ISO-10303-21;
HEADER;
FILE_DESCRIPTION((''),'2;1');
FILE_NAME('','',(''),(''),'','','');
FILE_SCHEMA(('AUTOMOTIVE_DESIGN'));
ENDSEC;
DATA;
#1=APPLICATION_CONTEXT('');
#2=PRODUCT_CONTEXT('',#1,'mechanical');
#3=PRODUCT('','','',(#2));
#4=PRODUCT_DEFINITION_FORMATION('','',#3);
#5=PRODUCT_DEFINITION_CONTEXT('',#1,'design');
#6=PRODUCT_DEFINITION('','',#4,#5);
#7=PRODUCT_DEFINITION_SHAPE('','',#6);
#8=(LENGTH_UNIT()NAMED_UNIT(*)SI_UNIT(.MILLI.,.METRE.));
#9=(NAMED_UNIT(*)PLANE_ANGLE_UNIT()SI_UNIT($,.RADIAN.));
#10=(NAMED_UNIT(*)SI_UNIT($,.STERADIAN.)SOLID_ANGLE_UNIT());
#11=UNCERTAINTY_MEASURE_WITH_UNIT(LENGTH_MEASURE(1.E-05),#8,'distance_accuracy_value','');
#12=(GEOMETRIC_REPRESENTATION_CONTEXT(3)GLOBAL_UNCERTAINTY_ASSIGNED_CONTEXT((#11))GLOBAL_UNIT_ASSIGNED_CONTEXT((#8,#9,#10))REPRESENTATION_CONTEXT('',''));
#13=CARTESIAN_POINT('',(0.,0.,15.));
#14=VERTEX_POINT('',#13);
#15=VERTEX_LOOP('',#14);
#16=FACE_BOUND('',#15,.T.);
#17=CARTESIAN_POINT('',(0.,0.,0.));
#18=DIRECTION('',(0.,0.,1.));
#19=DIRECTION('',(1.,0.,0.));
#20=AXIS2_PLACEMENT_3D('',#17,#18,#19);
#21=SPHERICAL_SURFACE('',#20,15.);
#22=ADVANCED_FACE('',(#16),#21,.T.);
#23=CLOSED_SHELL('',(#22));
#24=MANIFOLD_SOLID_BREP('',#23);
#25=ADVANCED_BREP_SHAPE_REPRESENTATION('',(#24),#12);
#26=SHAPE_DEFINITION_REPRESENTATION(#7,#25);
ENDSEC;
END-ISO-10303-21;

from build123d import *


with BuildPart() as part:
    # Sphere → Sphere (revolve)
    with BuildSketch(Plane.XZ):
        with BuildLine():
            ThreePointArc((0, -15), (15, 0), (0, 15))
            Line((0, 15), (0, -15))
        make_face()
    revolve(axis=Axis((0, 0, 0), (0, 0, 1)))


solid = part.part
